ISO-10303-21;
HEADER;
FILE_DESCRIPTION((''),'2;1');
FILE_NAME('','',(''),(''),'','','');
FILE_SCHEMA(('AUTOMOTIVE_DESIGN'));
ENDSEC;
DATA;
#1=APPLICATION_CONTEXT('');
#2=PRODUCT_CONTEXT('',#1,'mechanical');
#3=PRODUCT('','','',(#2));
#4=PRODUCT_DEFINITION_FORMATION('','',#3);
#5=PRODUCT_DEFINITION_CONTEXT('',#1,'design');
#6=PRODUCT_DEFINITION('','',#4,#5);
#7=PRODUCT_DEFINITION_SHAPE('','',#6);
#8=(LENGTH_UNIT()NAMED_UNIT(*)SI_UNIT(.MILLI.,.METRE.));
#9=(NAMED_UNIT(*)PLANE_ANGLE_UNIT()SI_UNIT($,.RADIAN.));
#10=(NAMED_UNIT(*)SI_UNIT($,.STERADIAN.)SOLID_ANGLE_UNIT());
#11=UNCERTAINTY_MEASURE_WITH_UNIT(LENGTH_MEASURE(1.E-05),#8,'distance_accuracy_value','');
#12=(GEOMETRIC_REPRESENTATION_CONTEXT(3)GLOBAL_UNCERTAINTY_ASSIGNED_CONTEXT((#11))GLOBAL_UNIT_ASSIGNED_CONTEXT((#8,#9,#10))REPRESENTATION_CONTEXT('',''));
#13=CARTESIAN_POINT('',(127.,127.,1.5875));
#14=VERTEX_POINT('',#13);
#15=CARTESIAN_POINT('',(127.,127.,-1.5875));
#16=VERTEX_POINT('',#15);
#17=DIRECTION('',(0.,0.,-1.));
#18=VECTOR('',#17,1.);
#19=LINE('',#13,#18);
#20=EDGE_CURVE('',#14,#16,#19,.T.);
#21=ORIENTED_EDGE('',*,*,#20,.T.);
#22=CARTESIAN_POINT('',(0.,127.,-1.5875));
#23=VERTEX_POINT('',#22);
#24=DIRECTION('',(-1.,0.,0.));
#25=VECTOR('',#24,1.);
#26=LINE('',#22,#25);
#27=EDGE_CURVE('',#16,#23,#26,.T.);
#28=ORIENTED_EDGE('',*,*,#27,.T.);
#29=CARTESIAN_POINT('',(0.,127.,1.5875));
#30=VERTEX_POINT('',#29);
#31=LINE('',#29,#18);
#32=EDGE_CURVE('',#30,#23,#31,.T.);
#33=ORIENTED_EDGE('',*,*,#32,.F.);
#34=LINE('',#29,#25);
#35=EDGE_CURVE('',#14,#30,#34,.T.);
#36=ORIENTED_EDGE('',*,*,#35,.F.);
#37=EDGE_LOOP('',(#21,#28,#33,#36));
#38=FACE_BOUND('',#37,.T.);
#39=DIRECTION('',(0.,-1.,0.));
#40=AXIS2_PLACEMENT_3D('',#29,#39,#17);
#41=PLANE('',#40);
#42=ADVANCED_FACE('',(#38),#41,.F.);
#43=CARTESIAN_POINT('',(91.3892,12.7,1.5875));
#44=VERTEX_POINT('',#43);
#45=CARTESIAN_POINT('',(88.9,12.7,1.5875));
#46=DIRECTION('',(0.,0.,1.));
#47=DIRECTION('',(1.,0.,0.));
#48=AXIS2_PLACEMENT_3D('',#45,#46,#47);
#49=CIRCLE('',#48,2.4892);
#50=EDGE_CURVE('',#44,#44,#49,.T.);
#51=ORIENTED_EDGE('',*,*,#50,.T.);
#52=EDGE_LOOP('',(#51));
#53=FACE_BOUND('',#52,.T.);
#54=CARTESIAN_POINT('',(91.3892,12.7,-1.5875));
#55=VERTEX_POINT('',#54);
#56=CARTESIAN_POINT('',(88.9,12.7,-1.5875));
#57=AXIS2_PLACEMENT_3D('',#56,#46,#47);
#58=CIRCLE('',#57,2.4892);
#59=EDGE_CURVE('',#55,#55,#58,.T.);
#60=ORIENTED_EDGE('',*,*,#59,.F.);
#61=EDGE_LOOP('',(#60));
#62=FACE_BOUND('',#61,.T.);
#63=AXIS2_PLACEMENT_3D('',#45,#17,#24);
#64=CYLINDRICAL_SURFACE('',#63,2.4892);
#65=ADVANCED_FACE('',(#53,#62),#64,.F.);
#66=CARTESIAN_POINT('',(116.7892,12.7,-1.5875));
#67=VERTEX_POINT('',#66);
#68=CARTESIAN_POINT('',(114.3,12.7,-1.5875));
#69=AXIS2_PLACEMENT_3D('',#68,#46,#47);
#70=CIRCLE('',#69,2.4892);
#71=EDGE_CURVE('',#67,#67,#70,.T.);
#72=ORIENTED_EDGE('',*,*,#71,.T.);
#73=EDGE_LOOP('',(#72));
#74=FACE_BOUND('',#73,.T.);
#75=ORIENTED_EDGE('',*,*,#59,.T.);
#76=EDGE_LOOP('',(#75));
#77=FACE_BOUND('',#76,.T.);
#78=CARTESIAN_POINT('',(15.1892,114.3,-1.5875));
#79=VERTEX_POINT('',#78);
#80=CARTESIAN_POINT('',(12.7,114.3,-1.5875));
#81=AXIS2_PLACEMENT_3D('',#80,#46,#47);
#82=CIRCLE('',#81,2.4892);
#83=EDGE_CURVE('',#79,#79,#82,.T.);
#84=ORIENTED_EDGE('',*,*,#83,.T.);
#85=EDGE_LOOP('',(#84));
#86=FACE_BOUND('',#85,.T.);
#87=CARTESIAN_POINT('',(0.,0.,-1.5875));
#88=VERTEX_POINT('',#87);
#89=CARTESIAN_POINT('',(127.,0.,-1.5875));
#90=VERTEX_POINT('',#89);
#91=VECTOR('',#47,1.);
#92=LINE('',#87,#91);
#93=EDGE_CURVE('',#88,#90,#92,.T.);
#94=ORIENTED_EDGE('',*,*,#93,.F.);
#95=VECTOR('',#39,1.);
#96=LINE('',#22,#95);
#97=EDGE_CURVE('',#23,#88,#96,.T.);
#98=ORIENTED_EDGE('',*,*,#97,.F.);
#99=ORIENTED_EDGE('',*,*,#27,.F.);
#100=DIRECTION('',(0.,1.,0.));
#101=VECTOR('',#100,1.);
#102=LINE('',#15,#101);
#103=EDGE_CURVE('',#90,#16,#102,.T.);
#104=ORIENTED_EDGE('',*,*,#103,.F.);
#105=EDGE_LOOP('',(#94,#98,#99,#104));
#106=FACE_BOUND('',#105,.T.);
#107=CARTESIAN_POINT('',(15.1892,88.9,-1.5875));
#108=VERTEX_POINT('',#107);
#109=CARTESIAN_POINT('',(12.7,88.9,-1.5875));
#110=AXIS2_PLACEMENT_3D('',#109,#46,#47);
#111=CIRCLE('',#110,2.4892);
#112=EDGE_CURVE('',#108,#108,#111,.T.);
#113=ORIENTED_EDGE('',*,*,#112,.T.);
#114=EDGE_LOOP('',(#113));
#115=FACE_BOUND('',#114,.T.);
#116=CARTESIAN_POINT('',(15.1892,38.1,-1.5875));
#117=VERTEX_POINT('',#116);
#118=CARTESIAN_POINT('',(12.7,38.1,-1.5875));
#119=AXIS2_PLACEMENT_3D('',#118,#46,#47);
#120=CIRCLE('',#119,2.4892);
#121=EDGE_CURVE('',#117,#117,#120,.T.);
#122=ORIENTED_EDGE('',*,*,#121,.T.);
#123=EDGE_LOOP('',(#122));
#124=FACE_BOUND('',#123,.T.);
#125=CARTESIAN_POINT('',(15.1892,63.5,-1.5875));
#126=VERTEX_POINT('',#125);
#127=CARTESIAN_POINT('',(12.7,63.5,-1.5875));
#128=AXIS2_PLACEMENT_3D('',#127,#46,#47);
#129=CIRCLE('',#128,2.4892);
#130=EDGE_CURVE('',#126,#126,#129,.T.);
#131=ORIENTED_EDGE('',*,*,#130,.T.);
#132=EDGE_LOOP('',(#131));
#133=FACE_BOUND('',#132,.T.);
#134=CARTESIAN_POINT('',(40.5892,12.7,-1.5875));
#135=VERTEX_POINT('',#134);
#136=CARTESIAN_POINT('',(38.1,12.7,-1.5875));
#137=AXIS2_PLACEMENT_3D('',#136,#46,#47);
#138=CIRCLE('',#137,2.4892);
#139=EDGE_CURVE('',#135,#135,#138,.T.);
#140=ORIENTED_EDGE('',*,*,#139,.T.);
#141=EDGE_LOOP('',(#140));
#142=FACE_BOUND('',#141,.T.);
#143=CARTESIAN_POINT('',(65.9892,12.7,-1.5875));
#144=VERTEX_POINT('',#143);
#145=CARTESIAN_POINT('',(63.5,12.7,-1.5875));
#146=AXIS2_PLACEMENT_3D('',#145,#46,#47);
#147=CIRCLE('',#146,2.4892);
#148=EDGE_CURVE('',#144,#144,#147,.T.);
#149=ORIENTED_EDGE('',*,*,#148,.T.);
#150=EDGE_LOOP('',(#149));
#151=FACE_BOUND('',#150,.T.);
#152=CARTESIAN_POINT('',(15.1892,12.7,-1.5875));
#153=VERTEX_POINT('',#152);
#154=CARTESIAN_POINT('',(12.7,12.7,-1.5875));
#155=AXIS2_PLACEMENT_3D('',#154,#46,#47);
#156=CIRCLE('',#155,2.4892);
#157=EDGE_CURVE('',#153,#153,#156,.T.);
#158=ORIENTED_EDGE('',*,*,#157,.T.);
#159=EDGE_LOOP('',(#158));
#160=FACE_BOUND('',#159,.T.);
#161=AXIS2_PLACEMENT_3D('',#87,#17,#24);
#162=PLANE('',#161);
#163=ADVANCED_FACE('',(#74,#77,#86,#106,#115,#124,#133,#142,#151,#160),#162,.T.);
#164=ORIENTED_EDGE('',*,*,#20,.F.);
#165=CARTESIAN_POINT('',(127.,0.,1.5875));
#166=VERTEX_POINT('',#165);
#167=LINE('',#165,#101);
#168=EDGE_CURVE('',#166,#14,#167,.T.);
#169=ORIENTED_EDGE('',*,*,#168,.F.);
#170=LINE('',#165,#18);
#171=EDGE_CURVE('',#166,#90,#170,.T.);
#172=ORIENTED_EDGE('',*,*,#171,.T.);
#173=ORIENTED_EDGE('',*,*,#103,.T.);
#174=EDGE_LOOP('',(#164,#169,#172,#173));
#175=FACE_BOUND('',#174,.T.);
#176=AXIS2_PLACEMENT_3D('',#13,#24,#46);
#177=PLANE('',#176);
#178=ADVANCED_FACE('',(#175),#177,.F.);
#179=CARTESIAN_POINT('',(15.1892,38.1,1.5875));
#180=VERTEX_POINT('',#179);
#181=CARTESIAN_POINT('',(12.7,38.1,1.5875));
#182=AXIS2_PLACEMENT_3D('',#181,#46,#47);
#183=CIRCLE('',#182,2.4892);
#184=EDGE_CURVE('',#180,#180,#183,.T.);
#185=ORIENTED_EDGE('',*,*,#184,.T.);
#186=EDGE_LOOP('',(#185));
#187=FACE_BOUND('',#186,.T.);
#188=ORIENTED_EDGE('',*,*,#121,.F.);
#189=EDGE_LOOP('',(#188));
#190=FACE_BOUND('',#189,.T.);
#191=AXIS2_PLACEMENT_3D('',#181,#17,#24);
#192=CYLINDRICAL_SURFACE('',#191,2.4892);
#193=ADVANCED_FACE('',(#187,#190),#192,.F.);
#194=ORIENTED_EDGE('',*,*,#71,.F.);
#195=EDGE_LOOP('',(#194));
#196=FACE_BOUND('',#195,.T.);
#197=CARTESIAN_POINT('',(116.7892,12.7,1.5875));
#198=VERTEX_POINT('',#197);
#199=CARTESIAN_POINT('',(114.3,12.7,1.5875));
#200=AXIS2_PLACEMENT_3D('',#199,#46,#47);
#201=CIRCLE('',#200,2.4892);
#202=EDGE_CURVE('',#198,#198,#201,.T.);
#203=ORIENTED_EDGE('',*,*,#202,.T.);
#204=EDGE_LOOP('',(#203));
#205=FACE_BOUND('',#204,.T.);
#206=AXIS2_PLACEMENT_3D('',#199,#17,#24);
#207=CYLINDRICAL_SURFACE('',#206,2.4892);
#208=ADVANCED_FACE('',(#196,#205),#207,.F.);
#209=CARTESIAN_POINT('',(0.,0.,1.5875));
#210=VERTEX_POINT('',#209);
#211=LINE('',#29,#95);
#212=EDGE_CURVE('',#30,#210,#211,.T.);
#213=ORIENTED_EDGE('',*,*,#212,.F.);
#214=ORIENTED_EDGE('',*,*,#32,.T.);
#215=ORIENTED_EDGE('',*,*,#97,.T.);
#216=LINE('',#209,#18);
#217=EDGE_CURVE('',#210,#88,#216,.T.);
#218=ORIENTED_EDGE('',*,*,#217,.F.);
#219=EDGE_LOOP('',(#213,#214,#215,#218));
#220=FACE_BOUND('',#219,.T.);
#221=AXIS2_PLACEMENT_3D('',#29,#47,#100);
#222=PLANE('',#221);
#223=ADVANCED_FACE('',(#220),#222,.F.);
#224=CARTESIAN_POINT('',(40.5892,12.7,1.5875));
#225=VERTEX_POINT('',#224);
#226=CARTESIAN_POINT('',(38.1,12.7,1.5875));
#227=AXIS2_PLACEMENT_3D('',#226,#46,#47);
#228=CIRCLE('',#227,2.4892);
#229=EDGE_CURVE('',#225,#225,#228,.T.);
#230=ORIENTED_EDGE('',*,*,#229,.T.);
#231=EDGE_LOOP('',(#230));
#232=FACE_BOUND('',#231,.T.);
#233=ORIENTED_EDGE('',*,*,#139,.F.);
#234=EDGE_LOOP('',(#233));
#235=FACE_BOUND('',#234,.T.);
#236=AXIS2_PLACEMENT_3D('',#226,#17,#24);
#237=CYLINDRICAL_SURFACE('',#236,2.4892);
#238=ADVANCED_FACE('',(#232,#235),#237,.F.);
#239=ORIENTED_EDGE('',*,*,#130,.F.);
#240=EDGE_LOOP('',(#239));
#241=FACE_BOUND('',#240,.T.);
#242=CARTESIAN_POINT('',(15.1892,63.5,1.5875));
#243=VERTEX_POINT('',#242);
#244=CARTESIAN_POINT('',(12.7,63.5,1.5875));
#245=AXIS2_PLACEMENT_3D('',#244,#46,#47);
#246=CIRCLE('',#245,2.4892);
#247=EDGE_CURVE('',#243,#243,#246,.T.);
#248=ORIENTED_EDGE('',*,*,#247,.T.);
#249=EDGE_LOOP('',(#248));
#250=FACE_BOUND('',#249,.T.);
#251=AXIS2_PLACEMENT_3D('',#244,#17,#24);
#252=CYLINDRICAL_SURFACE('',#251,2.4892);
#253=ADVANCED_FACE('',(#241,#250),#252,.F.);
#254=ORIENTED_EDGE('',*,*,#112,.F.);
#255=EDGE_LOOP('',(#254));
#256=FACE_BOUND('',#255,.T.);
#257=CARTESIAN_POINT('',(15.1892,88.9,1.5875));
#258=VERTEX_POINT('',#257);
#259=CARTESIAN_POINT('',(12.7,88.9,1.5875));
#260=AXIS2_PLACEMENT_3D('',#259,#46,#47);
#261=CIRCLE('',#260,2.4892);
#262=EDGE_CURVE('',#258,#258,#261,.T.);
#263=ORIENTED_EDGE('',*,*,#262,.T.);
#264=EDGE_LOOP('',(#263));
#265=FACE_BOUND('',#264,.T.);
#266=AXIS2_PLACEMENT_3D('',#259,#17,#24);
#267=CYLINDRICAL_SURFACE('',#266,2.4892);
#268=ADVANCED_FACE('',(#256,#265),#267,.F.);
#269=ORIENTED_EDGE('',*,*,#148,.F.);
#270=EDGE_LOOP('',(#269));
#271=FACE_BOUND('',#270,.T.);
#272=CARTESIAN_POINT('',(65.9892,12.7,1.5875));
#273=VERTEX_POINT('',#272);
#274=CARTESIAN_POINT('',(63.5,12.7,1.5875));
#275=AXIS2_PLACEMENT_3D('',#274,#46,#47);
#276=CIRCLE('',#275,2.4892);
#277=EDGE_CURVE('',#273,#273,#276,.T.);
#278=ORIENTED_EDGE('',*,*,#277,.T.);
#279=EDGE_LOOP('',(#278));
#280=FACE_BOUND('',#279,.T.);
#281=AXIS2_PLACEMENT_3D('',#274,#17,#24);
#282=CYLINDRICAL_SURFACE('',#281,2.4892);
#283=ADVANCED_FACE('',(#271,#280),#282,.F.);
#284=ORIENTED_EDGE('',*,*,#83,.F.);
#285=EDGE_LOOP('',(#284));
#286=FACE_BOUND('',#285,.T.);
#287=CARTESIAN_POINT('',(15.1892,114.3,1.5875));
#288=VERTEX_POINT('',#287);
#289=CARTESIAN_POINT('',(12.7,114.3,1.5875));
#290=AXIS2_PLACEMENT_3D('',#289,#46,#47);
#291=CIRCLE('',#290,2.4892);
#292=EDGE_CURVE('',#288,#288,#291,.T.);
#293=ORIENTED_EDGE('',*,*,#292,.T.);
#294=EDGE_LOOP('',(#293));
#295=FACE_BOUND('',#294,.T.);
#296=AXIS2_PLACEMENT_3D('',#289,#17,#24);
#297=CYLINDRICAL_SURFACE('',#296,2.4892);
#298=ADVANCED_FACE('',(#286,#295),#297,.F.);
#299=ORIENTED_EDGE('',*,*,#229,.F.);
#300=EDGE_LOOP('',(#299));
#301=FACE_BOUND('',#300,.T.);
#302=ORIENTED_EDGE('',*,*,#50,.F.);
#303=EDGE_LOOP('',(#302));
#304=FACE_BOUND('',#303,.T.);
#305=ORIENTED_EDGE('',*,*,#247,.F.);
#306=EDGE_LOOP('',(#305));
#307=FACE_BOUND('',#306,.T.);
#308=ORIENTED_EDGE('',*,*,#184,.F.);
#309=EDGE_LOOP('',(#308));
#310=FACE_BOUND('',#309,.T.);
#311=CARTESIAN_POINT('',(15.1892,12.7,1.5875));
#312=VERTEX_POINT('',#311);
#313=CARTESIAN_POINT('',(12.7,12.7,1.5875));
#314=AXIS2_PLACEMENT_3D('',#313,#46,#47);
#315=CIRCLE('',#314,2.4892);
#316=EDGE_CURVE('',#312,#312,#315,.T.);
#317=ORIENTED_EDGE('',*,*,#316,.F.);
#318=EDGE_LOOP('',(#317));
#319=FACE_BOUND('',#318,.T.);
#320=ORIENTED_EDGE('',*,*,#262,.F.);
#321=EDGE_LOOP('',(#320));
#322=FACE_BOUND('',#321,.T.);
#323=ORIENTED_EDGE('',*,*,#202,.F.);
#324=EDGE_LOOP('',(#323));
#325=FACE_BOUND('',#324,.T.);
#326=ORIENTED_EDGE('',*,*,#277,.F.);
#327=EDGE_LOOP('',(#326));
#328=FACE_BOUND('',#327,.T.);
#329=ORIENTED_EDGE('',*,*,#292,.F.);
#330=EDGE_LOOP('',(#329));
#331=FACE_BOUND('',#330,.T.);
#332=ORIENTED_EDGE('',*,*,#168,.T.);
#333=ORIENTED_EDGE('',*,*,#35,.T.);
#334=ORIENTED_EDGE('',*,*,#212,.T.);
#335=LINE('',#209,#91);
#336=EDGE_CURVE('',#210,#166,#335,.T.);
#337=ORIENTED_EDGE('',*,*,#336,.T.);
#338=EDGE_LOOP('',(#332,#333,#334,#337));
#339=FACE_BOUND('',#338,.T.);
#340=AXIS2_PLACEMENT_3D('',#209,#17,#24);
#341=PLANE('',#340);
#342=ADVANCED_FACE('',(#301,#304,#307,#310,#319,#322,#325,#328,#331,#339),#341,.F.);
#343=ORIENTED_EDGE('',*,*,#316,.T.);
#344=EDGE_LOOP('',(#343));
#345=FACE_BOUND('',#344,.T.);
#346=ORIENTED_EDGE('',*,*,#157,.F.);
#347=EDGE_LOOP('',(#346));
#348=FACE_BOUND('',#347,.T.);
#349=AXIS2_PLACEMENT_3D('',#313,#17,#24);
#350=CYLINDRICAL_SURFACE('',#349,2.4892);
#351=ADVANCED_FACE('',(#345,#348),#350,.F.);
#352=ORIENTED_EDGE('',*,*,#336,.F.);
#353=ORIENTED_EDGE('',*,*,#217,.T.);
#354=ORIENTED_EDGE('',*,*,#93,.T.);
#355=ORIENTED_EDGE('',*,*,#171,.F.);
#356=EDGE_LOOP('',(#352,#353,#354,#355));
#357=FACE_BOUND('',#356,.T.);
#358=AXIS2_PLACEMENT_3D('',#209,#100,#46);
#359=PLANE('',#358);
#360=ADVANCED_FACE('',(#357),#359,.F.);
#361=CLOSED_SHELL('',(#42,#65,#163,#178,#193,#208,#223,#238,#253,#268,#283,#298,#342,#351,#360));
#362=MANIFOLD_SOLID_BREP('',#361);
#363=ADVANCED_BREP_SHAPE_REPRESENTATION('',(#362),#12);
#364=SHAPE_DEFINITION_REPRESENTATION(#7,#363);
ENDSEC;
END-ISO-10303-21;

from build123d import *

# Parameters (mm, degrees)
SKETCH1_R           = 2.4892
BOSS_EXTRUDE1_DEPTH = 1.5875


with BuildPart() as part:
    # Sketch1 → Boss-Extrude1 (new, symmetric)
    with BuildSketch(Plane.XY):
        Polygon((0, 127), (0, 0), (127, 0), (127, 25.4), (127, 127), align=None)
        with Locations((114.3, 12.7)):
            Circle(SKETCH1_R, mode=Mode.SUBTRACT)
        with Locations((88.9, 12.7)):
            Circle(SKETCH1_R, mode=Mode.SUBTRACT)
        with Locations((63.5, 12.7)):
            Circle(SKETCH1_R, mode=Mode.SUBTRACT)
        with Locations((38.1, 12.7)):
            Circle(SKETCH1_R, mode=Mode.SUBTRACT)
        with Locations((12.7, 12.7)):
            Circle(SKETCH1_R, mode=Mode.SUBTRACT)
        with Locations((12.7, 38.1)):
            Circle(SKETCH1_R, mode=Mode.SUBTRACT)
        with Locations((12.7, 63.5)):
            Circle(SKETCH1_R, mode=Mode.SUBTRACT)
        with Locations((12.7, 88.9)):
            Circle(SKETCH1_R, mode=Mode.SUBTRACT)
        with Locations((12.7, 114.3)):
            Circle(SKETCH1_R, mode=Mode.SUBTRACT)
    extrude(amount=BOSS_EXTRUDE1_DEPTH, both=True)


solid = part.part
